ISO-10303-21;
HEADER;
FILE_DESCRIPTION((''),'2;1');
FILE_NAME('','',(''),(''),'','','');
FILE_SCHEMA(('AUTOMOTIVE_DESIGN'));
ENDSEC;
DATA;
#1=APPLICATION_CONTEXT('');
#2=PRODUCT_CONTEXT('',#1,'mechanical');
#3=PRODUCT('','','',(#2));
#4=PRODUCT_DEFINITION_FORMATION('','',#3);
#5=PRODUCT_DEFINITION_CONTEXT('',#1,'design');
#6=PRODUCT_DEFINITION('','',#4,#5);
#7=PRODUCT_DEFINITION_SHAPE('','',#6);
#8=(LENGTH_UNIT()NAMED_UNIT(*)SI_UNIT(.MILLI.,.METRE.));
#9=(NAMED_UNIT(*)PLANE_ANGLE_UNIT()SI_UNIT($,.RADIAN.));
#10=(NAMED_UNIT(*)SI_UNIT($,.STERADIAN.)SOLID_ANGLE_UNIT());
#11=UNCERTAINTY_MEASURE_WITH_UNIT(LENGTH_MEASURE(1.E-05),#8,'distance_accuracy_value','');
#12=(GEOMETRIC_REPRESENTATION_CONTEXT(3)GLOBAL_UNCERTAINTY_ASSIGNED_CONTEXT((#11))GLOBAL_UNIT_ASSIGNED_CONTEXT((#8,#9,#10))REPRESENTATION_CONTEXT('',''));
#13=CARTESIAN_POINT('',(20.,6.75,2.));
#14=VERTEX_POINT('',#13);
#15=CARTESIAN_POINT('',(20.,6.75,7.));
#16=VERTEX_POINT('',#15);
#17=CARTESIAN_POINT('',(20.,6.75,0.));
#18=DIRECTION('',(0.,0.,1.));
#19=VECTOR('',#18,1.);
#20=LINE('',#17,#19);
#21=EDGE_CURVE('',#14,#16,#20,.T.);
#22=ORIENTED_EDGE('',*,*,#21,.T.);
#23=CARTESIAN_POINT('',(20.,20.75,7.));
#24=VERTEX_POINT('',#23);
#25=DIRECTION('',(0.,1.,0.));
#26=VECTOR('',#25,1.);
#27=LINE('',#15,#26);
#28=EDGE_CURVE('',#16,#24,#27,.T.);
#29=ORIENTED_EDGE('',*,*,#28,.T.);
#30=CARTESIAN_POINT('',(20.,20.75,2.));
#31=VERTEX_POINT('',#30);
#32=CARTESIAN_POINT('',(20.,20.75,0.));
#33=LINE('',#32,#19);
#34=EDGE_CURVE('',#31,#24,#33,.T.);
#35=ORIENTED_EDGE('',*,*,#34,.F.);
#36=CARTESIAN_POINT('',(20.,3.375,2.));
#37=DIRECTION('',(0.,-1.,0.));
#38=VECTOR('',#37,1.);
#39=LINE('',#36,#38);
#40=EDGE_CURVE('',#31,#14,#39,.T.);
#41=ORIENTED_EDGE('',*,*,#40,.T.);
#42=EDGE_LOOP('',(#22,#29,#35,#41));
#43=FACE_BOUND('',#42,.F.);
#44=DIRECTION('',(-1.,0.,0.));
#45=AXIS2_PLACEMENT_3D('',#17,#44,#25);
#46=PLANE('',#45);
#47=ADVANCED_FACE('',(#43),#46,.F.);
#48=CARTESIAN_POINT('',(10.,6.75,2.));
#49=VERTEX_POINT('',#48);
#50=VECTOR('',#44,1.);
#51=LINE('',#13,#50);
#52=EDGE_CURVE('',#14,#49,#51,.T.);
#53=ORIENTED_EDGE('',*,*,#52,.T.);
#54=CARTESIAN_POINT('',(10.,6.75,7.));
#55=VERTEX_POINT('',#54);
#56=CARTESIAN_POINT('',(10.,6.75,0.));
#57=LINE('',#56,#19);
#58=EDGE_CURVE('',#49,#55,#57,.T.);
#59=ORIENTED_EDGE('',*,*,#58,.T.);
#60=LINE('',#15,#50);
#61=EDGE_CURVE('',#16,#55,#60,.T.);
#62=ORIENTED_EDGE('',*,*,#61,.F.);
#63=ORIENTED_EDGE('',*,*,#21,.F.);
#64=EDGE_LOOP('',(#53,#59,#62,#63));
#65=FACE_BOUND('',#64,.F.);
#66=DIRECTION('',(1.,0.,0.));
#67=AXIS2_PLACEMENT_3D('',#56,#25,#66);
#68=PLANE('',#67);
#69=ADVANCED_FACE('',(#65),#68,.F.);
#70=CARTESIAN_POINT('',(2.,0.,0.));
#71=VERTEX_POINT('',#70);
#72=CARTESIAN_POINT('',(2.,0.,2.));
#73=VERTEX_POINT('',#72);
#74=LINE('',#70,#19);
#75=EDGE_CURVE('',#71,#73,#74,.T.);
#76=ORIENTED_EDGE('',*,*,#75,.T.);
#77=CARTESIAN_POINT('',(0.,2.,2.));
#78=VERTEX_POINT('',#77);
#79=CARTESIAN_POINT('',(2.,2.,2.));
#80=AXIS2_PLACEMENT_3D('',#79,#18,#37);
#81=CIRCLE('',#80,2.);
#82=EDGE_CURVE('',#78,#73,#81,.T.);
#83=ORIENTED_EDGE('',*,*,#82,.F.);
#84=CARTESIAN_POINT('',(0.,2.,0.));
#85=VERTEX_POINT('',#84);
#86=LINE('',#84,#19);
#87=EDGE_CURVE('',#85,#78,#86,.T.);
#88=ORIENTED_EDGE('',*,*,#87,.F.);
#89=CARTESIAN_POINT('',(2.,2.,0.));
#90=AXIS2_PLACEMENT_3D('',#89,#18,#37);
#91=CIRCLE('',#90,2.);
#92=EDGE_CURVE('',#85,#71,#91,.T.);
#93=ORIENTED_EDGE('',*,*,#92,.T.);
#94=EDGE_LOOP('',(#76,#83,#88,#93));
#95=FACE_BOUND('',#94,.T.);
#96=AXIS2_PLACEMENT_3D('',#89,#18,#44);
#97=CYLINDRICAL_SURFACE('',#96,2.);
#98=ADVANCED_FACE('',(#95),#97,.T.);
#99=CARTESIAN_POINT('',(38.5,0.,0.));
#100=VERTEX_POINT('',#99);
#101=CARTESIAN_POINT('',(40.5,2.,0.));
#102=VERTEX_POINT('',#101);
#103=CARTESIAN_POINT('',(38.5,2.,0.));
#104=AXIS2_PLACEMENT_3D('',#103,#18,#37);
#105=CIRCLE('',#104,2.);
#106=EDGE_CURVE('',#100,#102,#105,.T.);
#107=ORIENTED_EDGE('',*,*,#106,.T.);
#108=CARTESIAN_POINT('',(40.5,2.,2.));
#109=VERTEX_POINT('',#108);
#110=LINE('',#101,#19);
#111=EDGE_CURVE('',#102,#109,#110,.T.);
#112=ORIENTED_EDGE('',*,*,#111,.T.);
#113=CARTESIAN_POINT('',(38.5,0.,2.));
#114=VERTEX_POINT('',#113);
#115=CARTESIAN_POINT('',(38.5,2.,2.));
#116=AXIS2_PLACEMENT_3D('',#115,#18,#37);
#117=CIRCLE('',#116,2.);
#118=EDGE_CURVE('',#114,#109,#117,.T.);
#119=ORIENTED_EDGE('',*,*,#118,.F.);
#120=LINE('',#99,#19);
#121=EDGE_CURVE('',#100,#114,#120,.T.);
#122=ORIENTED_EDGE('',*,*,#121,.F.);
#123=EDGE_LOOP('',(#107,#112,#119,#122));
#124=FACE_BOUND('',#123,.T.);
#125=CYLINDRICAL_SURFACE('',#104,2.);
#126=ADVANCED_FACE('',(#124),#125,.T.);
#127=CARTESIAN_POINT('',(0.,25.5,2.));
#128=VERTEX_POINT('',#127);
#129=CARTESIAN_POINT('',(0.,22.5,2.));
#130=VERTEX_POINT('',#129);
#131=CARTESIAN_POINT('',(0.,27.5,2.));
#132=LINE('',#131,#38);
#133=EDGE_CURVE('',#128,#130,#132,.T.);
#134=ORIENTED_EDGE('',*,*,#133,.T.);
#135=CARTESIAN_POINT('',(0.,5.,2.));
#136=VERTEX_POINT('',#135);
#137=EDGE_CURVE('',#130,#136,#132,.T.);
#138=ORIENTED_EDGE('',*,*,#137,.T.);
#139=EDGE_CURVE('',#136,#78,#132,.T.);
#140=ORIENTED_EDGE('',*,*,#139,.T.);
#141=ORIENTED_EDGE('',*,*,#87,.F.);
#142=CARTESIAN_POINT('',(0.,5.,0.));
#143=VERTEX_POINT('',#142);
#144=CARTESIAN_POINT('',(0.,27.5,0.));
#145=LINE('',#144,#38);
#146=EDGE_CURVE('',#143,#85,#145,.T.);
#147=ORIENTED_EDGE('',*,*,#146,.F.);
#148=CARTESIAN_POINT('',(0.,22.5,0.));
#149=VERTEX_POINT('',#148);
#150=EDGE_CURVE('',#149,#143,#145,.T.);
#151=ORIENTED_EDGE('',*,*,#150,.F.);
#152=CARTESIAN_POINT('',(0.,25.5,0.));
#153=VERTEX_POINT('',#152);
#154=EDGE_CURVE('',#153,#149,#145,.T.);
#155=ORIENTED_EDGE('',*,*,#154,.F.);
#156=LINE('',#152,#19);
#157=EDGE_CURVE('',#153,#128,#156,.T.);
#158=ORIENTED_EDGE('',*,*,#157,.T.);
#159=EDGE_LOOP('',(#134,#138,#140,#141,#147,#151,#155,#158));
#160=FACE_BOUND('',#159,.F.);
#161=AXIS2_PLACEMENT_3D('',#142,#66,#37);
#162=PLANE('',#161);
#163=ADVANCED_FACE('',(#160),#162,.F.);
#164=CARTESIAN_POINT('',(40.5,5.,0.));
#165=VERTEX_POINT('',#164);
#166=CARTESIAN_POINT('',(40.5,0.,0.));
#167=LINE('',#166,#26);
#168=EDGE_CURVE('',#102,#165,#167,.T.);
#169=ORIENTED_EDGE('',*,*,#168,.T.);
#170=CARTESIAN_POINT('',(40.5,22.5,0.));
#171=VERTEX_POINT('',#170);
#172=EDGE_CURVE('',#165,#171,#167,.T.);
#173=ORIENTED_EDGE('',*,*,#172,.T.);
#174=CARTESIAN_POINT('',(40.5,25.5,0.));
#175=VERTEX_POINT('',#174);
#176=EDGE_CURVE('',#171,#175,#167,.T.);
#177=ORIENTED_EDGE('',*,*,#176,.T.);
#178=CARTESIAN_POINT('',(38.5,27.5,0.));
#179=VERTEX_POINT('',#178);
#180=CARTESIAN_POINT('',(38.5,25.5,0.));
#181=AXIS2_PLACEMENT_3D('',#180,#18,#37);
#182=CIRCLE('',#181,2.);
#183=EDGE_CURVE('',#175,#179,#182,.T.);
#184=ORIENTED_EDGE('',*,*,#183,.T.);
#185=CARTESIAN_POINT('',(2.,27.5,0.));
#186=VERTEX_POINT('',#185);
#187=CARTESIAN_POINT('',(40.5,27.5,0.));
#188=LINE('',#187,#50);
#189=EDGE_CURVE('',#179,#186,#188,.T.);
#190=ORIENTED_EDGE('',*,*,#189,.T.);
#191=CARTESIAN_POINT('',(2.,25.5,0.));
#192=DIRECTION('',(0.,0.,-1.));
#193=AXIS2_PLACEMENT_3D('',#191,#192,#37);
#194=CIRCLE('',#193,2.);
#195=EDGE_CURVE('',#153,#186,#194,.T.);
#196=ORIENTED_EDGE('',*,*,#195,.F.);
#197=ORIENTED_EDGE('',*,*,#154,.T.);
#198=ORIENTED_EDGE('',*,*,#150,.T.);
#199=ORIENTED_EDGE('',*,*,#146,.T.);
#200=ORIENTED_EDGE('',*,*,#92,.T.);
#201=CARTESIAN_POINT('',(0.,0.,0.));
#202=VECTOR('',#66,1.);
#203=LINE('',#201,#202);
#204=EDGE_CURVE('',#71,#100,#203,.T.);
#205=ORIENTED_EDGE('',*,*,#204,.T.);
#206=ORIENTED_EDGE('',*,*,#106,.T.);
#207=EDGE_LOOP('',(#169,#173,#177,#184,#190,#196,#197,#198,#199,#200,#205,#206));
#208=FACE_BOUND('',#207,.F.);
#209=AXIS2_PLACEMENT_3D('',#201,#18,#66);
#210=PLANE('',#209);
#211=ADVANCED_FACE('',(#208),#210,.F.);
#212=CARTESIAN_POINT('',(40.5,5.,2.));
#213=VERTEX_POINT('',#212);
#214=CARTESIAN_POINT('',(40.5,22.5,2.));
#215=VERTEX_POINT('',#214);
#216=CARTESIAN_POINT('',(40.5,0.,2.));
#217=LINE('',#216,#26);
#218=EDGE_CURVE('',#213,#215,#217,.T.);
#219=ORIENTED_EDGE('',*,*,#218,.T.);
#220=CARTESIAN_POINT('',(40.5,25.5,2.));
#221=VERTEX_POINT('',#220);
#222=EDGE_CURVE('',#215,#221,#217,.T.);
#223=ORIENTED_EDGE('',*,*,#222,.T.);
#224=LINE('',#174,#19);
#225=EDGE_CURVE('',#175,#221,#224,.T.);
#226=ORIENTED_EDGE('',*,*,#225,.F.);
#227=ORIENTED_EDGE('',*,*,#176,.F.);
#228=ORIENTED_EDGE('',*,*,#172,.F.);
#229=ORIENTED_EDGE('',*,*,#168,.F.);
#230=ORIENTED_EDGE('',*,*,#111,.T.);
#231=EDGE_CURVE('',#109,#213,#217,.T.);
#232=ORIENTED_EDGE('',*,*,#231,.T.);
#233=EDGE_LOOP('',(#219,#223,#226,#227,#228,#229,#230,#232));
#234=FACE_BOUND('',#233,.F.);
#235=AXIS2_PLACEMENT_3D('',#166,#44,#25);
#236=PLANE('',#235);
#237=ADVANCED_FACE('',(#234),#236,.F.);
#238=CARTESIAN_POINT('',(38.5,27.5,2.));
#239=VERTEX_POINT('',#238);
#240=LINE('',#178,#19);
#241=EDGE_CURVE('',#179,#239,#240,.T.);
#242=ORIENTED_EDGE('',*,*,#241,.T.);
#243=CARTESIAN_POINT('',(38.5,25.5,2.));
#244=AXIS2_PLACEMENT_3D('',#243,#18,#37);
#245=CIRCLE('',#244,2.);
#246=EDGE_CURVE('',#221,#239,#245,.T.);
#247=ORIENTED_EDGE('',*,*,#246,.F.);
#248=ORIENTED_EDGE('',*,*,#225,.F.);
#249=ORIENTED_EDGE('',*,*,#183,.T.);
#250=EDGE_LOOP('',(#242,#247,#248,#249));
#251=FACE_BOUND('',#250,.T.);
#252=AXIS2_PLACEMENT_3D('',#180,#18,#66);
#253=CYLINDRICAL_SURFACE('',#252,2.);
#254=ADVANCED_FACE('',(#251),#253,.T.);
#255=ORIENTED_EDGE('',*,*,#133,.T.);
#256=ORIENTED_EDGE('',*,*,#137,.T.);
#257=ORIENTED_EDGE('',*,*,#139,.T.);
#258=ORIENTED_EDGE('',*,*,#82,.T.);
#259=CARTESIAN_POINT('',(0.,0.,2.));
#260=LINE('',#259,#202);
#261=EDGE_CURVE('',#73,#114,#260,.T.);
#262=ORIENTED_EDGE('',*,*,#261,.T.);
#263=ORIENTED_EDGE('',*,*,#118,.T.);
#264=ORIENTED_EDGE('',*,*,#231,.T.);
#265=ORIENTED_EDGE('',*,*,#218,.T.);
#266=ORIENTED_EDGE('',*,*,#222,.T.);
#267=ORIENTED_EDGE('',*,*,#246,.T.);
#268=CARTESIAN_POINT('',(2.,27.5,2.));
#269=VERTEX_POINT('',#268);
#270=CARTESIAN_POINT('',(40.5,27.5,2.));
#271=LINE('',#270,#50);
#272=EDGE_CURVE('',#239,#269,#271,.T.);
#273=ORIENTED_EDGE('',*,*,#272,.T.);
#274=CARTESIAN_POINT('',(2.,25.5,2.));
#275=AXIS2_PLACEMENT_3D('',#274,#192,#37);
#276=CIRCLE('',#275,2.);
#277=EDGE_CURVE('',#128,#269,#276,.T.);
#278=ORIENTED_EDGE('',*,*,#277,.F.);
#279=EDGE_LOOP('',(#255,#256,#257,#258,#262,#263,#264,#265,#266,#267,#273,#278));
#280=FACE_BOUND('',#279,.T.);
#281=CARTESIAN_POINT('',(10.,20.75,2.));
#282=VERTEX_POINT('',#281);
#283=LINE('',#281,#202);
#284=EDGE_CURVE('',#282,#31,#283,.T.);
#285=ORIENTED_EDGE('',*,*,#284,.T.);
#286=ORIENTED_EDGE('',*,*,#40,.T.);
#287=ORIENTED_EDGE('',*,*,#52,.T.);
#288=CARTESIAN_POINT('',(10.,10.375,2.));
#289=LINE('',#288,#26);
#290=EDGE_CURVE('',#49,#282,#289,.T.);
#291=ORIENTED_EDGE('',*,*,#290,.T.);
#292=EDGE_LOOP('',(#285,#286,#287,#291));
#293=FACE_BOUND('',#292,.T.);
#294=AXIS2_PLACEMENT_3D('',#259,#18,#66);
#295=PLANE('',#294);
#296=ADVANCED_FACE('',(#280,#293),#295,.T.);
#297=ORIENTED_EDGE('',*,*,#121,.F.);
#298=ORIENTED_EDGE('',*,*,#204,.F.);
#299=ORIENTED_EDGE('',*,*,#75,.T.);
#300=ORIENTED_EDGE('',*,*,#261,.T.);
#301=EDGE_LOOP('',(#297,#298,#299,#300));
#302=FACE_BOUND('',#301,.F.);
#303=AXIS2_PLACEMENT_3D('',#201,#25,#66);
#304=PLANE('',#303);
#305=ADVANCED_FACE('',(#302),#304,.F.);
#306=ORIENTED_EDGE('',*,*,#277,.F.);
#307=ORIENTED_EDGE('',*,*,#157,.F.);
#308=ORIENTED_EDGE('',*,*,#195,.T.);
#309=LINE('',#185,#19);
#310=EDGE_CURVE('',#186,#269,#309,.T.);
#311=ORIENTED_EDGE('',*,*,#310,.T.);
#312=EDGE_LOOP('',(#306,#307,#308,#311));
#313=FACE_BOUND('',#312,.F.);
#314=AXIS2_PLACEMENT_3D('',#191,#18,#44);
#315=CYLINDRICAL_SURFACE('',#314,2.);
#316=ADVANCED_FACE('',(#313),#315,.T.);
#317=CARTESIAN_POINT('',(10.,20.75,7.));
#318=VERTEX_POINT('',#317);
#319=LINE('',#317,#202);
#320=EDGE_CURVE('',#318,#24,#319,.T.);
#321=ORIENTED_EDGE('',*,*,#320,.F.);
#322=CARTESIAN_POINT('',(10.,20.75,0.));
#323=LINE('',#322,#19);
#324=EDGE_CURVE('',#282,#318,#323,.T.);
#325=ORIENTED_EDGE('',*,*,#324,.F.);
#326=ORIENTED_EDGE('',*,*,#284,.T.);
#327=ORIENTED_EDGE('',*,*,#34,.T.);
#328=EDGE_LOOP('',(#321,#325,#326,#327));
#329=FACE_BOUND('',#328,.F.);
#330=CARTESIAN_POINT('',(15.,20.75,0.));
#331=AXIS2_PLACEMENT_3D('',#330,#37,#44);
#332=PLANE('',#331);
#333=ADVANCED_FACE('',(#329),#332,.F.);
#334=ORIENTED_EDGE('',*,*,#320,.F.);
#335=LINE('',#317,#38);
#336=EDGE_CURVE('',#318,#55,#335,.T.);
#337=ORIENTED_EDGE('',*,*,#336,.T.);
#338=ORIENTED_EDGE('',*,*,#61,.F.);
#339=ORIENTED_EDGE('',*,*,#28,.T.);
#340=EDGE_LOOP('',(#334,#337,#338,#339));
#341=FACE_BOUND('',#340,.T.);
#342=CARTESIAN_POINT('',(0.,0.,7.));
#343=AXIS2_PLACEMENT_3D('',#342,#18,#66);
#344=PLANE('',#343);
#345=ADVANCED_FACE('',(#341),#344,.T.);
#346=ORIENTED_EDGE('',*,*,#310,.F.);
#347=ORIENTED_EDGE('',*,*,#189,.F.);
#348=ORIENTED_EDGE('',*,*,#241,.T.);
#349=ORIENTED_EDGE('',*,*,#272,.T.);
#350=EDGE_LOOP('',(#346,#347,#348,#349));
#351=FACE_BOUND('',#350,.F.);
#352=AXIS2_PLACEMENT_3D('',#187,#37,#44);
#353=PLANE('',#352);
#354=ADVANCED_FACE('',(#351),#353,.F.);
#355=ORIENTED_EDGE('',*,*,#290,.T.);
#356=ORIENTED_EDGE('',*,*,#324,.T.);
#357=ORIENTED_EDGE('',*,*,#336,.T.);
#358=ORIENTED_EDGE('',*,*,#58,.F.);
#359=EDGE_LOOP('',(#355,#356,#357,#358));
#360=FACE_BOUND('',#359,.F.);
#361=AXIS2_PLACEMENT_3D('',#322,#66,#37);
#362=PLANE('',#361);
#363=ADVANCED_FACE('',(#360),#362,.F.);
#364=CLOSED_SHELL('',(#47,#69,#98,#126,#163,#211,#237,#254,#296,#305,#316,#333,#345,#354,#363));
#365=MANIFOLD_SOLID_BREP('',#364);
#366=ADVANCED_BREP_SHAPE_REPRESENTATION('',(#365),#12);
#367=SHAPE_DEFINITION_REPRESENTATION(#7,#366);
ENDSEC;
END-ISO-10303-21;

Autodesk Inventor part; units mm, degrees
ref_plane "YZ Plane" through (0, 0, 0) normal (1, 0, 0) x (0, 1, 0)
ref_plane "XZ Plane" through (0, 0, 0) normal (0, 1, 0) x (-1, 0, 0)
ref_plane "XY Plane" through (0, 0, 0) normal (0, 0, 1) x (1, 0, 0)
sketch "Esboço1" plane through (0, 0, 0) normal (0, 0, 1) x (1, 0, 0)
  line L0 (0, 0) -> (40.5, 0)
  line L1 (40.5, 0) -> (40.5, 27.5)
  line L2 (40.5, 27.5) -> (0, 27.5)
  line L3 (0, 27.5) -> (0, 0)
  line L4 (15, 20.75) -> (10, 20.75)
  line L5 (10, 20.75) -> (10, 6.75)
  line L6 (10, 6.75) -> (15, 6.75)
  line L7 (15, 6.75) -> (20, 6.75)
  line L8 (20, 6.75) -> (20, 20.75)
  line L9 (20, 20.75) -> (15, 20.75)
  line L10 (40.5, 27.5) -> (40.5, 22.5)
  line L11 (40.5, 22.5) -> (35.5, 22.5)
  line L12 (40.5, 0) -> (40.5, 5)
  line L13 (40.5, 5) -> (35.5, 5)
  line L14 (0, 0) -> (0, 5)
  line L15 (0, 5) -> (5, 5)
  line L16 (0, 27.5) -> (0, 22.5)
  line L17 (0, 22.5) -> (5, 22.5)
  circle A0 centre (5, 22.5) radius 1.5
  circle A1 centre (5, 5) radius 1.5
  circle A2 centre (35.5, 22.5) radius 1.5
  circle A3 centre (35.5, 5) radius 1.5
  dimension "d0" = 40.5
  dimension "d1" = 27.5
  dimension "d5" = 5
  dimension "d6" = 5
  dimension "d7" = 5
  dimension "d8" = 5
  dimension "d9" = 5
  dimension "d10" = 5
  dimension "d11" = 5
  dimension "d12" = 5
  dimension "d13" = 5
  dimension "d14" = 5
  dimension "d15" = 3
  dimension "d16" = 3
  dimension "d17" = 3
  dimension "d18" = 3
extrude "Extrusão1" add sketch "Esboço1" along normal blind 2 contours L3 L2 L1 L0 | L9 L8 L7 L6 L5 L4
fillet "Arredondamento1" radius 2 4 edges at (0, 27.5, 1) (0, 0, 1) (40.5, 27.5, 1) (40.5, 0, 1)
extrude "Extrusão2" add sketch "Esboço1" along normal blind 7 contours L9 L8 L7 L6 L5 L4
extrude "Extrusão3" add sketch "Esboço1" along normal blind 2 contours A3 | A2 | A0 | A1
properties part number "CASE ESP32 CAM - Tampa"
